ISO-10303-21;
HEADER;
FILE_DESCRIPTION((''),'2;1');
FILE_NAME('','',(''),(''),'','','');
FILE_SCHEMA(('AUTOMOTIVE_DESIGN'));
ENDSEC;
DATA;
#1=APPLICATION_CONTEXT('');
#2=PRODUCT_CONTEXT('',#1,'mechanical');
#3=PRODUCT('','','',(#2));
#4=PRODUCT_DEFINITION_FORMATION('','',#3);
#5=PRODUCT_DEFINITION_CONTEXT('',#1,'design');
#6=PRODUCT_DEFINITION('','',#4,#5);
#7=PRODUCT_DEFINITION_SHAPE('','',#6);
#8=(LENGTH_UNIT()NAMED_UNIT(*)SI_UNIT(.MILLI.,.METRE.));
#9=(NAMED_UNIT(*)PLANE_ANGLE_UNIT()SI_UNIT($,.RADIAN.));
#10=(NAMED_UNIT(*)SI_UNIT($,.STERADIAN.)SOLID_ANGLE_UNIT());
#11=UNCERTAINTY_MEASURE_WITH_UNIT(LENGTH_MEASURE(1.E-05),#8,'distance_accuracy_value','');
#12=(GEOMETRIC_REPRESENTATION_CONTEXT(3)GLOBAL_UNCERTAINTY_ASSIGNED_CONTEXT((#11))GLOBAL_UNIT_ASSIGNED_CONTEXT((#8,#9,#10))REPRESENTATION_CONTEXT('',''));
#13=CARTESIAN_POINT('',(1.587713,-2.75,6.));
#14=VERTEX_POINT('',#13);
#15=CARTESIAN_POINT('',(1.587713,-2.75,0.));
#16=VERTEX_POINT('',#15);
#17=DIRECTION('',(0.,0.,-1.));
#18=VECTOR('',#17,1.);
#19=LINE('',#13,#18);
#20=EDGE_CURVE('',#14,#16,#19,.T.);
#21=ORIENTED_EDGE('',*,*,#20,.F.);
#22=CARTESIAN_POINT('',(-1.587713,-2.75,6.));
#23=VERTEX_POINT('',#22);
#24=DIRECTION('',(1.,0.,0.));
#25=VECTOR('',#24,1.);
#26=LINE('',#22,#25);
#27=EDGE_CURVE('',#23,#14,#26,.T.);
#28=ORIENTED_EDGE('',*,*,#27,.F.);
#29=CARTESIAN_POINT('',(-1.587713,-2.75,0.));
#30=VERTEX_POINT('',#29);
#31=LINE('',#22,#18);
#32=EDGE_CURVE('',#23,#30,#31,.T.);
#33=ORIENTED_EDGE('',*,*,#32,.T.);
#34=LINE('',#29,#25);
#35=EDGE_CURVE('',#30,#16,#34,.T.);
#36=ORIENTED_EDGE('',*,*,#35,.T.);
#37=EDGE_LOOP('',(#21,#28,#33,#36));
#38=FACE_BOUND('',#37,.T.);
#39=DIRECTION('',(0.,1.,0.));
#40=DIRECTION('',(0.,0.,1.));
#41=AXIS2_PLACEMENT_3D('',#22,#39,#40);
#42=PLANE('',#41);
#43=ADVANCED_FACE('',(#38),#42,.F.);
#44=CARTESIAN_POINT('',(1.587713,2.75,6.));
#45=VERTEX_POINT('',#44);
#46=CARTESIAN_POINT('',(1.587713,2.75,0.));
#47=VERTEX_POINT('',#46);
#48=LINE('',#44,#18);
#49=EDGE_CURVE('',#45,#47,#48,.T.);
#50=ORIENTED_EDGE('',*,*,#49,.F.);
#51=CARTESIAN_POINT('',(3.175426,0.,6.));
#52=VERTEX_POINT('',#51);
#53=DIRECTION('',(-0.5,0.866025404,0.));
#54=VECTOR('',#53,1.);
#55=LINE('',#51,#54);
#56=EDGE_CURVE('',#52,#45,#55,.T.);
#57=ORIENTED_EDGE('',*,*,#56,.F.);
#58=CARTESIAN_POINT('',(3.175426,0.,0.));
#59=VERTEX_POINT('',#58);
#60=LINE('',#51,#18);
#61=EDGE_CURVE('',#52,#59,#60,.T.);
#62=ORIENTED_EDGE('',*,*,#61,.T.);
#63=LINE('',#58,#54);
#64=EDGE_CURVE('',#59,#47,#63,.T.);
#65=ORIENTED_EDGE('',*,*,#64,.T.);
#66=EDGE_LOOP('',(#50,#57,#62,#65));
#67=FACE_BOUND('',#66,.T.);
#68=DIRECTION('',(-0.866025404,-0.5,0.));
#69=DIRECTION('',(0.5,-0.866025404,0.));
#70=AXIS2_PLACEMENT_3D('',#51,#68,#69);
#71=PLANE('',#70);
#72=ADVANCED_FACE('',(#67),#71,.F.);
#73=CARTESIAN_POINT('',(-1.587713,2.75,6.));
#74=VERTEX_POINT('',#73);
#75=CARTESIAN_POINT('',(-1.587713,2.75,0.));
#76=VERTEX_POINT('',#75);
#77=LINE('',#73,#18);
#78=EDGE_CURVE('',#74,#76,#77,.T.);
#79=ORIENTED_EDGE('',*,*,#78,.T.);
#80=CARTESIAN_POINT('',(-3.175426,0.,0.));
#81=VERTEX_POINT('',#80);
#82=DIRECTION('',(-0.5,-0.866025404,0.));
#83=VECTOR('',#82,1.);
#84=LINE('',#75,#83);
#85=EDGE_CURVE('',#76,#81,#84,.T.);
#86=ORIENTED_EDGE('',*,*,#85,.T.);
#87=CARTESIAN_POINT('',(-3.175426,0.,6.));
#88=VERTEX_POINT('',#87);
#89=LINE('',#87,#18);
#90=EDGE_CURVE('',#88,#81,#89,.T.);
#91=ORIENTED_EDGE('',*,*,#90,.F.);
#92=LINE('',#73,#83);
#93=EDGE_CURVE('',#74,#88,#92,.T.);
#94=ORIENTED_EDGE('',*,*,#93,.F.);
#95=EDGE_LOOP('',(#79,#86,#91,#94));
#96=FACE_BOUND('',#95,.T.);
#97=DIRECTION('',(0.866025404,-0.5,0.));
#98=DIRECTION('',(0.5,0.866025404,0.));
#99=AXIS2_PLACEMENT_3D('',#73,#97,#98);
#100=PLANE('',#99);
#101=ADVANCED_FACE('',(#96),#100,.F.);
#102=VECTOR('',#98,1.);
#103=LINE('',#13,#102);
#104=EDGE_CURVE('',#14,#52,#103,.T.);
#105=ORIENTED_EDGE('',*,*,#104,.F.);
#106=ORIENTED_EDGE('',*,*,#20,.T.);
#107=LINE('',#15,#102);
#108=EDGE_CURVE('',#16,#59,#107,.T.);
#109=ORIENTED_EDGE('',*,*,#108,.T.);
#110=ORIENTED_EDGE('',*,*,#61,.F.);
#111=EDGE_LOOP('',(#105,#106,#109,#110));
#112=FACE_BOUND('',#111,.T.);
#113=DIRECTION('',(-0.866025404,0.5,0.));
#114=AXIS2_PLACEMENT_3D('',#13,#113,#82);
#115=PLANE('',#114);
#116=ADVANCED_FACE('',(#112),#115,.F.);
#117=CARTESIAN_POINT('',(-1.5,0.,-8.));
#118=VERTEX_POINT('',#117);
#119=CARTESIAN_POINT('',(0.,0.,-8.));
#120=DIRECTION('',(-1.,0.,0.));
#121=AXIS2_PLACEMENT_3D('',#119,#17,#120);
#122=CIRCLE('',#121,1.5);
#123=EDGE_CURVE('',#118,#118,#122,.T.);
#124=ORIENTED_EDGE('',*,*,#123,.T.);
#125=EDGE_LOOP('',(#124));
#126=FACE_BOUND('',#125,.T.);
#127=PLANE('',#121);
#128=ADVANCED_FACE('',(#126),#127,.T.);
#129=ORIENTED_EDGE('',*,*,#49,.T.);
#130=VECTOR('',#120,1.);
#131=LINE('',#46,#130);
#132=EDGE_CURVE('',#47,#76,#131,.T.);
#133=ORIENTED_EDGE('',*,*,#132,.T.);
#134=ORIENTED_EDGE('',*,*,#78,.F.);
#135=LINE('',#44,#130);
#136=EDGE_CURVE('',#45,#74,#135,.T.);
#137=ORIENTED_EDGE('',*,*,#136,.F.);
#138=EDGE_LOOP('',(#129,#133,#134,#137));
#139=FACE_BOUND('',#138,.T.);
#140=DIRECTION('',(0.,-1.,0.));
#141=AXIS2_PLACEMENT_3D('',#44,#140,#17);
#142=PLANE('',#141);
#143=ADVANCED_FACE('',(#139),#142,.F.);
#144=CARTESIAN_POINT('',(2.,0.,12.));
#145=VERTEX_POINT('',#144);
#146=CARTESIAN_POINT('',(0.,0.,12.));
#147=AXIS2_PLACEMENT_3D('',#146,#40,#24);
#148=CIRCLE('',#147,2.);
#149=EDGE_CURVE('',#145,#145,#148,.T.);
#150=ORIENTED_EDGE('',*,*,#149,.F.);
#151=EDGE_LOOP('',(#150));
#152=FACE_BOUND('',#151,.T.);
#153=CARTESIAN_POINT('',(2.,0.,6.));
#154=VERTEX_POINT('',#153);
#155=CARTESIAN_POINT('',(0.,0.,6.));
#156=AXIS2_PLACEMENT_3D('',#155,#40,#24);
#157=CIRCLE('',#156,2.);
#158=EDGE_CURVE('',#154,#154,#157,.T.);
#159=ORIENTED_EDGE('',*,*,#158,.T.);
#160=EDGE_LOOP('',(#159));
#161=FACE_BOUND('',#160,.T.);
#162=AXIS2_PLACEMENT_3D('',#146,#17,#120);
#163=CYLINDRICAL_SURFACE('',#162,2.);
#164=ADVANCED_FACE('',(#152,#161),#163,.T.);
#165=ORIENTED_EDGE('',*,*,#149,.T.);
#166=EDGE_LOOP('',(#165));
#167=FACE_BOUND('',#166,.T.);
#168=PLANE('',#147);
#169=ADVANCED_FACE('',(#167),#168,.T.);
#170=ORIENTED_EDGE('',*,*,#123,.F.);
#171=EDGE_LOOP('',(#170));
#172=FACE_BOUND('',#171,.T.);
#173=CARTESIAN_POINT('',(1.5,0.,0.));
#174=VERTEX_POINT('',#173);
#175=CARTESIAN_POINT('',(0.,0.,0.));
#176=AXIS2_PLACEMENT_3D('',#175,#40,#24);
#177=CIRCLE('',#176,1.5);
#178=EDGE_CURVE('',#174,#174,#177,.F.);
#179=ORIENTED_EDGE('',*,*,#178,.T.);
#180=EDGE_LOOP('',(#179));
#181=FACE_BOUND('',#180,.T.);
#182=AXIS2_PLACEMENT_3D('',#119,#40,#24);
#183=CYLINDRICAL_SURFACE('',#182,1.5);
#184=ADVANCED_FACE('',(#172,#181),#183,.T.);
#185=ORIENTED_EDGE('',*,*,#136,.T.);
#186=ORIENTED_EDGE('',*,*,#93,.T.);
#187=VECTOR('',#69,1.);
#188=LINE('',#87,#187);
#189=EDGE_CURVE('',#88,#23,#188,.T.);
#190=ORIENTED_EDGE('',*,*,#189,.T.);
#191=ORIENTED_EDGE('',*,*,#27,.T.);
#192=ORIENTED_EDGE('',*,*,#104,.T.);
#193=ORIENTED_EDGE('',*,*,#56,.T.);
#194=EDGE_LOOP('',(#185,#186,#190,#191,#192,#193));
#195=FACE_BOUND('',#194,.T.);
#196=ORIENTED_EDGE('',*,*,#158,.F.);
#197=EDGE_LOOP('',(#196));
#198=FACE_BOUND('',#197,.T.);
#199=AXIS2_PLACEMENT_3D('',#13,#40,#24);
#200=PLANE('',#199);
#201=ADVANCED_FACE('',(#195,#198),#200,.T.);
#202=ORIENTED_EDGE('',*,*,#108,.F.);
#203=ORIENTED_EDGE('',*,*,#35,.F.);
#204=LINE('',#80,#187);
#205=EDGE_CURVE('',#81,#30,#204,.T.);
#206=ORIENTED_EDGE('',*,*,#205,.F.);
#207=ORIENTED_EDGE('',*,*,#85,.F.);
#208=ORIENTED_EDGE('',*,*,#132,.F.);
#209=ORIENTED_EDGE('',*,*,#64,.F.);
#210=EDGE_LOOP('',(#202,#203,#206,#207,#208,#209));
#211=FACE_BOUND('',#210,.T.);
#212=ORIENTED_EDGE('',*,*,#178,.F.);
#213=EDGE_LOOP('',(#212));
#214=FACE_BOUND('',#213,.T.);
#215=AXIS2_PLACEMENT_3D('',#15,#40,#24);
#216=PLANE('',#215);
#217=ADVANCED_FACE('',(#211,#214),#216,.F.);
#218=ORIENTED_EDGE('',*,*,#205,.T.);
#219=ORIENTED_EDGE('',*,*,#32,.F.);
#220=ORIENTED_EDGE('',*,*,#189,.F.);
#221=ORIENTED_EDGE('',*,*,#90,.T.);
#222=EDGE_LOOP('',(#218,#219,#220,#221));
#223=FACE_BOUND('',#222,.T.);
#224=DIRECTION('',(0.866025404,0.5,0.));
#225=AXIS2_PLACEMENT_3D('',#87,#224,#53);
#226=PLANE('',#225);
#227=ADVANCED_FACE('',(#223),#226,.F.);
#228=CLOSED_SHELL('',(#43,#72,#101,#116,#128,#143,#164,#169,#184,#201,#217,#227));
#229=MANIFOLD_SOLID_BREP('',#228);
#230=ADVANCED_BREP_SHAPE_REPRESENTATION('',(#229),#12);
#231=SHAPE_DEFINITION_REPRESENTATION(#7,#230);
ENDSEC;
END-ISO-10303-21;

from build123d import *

# Parameters (mm, degrees)
EXTRUDE_1_DEPTH = 6
SKETCH_2_R      = 2
EXTRUDE_2_DEPTH = 6
SKETCH_6_R      = 1.5
EXTRUDE_3_DEPTH = 8


with BuildPart() as part:
    # 草图1 → 拉伸1 (new body)
    with BuildSketch(Plane.XY):
        Polygon((1.58771324, -2.75), (3.175426481, 0), (1.58771324, 2.75), (-1.58771324, 2.75), (-3.175426481, 0), (-1.58771324, -2.75), align=None)
    extrude(amount=EXTRUDE_1_DEPTH)

    # 草图2 → 拉伸2 (add)
    with BuildSketch(Plane.XY.offset(6)):
        Circle(SKETCH_2_R)
    extrude(amount=EXTRUDE_2_DEPTH)

    # 草图6 → 拉伸3 (add)
    with BuildSketch(Plane(origin=(0, 0, 0), x_dir=(-1, 0, 0), z_dir=(0, 0, -1))):
        with Locations(Location((0, 0, 0), (0, 0, 180))):
            Circle(SKETCH_6_R)
    extrude(amount=EXTRUDE_3_DEPTH)


solid = part.part
